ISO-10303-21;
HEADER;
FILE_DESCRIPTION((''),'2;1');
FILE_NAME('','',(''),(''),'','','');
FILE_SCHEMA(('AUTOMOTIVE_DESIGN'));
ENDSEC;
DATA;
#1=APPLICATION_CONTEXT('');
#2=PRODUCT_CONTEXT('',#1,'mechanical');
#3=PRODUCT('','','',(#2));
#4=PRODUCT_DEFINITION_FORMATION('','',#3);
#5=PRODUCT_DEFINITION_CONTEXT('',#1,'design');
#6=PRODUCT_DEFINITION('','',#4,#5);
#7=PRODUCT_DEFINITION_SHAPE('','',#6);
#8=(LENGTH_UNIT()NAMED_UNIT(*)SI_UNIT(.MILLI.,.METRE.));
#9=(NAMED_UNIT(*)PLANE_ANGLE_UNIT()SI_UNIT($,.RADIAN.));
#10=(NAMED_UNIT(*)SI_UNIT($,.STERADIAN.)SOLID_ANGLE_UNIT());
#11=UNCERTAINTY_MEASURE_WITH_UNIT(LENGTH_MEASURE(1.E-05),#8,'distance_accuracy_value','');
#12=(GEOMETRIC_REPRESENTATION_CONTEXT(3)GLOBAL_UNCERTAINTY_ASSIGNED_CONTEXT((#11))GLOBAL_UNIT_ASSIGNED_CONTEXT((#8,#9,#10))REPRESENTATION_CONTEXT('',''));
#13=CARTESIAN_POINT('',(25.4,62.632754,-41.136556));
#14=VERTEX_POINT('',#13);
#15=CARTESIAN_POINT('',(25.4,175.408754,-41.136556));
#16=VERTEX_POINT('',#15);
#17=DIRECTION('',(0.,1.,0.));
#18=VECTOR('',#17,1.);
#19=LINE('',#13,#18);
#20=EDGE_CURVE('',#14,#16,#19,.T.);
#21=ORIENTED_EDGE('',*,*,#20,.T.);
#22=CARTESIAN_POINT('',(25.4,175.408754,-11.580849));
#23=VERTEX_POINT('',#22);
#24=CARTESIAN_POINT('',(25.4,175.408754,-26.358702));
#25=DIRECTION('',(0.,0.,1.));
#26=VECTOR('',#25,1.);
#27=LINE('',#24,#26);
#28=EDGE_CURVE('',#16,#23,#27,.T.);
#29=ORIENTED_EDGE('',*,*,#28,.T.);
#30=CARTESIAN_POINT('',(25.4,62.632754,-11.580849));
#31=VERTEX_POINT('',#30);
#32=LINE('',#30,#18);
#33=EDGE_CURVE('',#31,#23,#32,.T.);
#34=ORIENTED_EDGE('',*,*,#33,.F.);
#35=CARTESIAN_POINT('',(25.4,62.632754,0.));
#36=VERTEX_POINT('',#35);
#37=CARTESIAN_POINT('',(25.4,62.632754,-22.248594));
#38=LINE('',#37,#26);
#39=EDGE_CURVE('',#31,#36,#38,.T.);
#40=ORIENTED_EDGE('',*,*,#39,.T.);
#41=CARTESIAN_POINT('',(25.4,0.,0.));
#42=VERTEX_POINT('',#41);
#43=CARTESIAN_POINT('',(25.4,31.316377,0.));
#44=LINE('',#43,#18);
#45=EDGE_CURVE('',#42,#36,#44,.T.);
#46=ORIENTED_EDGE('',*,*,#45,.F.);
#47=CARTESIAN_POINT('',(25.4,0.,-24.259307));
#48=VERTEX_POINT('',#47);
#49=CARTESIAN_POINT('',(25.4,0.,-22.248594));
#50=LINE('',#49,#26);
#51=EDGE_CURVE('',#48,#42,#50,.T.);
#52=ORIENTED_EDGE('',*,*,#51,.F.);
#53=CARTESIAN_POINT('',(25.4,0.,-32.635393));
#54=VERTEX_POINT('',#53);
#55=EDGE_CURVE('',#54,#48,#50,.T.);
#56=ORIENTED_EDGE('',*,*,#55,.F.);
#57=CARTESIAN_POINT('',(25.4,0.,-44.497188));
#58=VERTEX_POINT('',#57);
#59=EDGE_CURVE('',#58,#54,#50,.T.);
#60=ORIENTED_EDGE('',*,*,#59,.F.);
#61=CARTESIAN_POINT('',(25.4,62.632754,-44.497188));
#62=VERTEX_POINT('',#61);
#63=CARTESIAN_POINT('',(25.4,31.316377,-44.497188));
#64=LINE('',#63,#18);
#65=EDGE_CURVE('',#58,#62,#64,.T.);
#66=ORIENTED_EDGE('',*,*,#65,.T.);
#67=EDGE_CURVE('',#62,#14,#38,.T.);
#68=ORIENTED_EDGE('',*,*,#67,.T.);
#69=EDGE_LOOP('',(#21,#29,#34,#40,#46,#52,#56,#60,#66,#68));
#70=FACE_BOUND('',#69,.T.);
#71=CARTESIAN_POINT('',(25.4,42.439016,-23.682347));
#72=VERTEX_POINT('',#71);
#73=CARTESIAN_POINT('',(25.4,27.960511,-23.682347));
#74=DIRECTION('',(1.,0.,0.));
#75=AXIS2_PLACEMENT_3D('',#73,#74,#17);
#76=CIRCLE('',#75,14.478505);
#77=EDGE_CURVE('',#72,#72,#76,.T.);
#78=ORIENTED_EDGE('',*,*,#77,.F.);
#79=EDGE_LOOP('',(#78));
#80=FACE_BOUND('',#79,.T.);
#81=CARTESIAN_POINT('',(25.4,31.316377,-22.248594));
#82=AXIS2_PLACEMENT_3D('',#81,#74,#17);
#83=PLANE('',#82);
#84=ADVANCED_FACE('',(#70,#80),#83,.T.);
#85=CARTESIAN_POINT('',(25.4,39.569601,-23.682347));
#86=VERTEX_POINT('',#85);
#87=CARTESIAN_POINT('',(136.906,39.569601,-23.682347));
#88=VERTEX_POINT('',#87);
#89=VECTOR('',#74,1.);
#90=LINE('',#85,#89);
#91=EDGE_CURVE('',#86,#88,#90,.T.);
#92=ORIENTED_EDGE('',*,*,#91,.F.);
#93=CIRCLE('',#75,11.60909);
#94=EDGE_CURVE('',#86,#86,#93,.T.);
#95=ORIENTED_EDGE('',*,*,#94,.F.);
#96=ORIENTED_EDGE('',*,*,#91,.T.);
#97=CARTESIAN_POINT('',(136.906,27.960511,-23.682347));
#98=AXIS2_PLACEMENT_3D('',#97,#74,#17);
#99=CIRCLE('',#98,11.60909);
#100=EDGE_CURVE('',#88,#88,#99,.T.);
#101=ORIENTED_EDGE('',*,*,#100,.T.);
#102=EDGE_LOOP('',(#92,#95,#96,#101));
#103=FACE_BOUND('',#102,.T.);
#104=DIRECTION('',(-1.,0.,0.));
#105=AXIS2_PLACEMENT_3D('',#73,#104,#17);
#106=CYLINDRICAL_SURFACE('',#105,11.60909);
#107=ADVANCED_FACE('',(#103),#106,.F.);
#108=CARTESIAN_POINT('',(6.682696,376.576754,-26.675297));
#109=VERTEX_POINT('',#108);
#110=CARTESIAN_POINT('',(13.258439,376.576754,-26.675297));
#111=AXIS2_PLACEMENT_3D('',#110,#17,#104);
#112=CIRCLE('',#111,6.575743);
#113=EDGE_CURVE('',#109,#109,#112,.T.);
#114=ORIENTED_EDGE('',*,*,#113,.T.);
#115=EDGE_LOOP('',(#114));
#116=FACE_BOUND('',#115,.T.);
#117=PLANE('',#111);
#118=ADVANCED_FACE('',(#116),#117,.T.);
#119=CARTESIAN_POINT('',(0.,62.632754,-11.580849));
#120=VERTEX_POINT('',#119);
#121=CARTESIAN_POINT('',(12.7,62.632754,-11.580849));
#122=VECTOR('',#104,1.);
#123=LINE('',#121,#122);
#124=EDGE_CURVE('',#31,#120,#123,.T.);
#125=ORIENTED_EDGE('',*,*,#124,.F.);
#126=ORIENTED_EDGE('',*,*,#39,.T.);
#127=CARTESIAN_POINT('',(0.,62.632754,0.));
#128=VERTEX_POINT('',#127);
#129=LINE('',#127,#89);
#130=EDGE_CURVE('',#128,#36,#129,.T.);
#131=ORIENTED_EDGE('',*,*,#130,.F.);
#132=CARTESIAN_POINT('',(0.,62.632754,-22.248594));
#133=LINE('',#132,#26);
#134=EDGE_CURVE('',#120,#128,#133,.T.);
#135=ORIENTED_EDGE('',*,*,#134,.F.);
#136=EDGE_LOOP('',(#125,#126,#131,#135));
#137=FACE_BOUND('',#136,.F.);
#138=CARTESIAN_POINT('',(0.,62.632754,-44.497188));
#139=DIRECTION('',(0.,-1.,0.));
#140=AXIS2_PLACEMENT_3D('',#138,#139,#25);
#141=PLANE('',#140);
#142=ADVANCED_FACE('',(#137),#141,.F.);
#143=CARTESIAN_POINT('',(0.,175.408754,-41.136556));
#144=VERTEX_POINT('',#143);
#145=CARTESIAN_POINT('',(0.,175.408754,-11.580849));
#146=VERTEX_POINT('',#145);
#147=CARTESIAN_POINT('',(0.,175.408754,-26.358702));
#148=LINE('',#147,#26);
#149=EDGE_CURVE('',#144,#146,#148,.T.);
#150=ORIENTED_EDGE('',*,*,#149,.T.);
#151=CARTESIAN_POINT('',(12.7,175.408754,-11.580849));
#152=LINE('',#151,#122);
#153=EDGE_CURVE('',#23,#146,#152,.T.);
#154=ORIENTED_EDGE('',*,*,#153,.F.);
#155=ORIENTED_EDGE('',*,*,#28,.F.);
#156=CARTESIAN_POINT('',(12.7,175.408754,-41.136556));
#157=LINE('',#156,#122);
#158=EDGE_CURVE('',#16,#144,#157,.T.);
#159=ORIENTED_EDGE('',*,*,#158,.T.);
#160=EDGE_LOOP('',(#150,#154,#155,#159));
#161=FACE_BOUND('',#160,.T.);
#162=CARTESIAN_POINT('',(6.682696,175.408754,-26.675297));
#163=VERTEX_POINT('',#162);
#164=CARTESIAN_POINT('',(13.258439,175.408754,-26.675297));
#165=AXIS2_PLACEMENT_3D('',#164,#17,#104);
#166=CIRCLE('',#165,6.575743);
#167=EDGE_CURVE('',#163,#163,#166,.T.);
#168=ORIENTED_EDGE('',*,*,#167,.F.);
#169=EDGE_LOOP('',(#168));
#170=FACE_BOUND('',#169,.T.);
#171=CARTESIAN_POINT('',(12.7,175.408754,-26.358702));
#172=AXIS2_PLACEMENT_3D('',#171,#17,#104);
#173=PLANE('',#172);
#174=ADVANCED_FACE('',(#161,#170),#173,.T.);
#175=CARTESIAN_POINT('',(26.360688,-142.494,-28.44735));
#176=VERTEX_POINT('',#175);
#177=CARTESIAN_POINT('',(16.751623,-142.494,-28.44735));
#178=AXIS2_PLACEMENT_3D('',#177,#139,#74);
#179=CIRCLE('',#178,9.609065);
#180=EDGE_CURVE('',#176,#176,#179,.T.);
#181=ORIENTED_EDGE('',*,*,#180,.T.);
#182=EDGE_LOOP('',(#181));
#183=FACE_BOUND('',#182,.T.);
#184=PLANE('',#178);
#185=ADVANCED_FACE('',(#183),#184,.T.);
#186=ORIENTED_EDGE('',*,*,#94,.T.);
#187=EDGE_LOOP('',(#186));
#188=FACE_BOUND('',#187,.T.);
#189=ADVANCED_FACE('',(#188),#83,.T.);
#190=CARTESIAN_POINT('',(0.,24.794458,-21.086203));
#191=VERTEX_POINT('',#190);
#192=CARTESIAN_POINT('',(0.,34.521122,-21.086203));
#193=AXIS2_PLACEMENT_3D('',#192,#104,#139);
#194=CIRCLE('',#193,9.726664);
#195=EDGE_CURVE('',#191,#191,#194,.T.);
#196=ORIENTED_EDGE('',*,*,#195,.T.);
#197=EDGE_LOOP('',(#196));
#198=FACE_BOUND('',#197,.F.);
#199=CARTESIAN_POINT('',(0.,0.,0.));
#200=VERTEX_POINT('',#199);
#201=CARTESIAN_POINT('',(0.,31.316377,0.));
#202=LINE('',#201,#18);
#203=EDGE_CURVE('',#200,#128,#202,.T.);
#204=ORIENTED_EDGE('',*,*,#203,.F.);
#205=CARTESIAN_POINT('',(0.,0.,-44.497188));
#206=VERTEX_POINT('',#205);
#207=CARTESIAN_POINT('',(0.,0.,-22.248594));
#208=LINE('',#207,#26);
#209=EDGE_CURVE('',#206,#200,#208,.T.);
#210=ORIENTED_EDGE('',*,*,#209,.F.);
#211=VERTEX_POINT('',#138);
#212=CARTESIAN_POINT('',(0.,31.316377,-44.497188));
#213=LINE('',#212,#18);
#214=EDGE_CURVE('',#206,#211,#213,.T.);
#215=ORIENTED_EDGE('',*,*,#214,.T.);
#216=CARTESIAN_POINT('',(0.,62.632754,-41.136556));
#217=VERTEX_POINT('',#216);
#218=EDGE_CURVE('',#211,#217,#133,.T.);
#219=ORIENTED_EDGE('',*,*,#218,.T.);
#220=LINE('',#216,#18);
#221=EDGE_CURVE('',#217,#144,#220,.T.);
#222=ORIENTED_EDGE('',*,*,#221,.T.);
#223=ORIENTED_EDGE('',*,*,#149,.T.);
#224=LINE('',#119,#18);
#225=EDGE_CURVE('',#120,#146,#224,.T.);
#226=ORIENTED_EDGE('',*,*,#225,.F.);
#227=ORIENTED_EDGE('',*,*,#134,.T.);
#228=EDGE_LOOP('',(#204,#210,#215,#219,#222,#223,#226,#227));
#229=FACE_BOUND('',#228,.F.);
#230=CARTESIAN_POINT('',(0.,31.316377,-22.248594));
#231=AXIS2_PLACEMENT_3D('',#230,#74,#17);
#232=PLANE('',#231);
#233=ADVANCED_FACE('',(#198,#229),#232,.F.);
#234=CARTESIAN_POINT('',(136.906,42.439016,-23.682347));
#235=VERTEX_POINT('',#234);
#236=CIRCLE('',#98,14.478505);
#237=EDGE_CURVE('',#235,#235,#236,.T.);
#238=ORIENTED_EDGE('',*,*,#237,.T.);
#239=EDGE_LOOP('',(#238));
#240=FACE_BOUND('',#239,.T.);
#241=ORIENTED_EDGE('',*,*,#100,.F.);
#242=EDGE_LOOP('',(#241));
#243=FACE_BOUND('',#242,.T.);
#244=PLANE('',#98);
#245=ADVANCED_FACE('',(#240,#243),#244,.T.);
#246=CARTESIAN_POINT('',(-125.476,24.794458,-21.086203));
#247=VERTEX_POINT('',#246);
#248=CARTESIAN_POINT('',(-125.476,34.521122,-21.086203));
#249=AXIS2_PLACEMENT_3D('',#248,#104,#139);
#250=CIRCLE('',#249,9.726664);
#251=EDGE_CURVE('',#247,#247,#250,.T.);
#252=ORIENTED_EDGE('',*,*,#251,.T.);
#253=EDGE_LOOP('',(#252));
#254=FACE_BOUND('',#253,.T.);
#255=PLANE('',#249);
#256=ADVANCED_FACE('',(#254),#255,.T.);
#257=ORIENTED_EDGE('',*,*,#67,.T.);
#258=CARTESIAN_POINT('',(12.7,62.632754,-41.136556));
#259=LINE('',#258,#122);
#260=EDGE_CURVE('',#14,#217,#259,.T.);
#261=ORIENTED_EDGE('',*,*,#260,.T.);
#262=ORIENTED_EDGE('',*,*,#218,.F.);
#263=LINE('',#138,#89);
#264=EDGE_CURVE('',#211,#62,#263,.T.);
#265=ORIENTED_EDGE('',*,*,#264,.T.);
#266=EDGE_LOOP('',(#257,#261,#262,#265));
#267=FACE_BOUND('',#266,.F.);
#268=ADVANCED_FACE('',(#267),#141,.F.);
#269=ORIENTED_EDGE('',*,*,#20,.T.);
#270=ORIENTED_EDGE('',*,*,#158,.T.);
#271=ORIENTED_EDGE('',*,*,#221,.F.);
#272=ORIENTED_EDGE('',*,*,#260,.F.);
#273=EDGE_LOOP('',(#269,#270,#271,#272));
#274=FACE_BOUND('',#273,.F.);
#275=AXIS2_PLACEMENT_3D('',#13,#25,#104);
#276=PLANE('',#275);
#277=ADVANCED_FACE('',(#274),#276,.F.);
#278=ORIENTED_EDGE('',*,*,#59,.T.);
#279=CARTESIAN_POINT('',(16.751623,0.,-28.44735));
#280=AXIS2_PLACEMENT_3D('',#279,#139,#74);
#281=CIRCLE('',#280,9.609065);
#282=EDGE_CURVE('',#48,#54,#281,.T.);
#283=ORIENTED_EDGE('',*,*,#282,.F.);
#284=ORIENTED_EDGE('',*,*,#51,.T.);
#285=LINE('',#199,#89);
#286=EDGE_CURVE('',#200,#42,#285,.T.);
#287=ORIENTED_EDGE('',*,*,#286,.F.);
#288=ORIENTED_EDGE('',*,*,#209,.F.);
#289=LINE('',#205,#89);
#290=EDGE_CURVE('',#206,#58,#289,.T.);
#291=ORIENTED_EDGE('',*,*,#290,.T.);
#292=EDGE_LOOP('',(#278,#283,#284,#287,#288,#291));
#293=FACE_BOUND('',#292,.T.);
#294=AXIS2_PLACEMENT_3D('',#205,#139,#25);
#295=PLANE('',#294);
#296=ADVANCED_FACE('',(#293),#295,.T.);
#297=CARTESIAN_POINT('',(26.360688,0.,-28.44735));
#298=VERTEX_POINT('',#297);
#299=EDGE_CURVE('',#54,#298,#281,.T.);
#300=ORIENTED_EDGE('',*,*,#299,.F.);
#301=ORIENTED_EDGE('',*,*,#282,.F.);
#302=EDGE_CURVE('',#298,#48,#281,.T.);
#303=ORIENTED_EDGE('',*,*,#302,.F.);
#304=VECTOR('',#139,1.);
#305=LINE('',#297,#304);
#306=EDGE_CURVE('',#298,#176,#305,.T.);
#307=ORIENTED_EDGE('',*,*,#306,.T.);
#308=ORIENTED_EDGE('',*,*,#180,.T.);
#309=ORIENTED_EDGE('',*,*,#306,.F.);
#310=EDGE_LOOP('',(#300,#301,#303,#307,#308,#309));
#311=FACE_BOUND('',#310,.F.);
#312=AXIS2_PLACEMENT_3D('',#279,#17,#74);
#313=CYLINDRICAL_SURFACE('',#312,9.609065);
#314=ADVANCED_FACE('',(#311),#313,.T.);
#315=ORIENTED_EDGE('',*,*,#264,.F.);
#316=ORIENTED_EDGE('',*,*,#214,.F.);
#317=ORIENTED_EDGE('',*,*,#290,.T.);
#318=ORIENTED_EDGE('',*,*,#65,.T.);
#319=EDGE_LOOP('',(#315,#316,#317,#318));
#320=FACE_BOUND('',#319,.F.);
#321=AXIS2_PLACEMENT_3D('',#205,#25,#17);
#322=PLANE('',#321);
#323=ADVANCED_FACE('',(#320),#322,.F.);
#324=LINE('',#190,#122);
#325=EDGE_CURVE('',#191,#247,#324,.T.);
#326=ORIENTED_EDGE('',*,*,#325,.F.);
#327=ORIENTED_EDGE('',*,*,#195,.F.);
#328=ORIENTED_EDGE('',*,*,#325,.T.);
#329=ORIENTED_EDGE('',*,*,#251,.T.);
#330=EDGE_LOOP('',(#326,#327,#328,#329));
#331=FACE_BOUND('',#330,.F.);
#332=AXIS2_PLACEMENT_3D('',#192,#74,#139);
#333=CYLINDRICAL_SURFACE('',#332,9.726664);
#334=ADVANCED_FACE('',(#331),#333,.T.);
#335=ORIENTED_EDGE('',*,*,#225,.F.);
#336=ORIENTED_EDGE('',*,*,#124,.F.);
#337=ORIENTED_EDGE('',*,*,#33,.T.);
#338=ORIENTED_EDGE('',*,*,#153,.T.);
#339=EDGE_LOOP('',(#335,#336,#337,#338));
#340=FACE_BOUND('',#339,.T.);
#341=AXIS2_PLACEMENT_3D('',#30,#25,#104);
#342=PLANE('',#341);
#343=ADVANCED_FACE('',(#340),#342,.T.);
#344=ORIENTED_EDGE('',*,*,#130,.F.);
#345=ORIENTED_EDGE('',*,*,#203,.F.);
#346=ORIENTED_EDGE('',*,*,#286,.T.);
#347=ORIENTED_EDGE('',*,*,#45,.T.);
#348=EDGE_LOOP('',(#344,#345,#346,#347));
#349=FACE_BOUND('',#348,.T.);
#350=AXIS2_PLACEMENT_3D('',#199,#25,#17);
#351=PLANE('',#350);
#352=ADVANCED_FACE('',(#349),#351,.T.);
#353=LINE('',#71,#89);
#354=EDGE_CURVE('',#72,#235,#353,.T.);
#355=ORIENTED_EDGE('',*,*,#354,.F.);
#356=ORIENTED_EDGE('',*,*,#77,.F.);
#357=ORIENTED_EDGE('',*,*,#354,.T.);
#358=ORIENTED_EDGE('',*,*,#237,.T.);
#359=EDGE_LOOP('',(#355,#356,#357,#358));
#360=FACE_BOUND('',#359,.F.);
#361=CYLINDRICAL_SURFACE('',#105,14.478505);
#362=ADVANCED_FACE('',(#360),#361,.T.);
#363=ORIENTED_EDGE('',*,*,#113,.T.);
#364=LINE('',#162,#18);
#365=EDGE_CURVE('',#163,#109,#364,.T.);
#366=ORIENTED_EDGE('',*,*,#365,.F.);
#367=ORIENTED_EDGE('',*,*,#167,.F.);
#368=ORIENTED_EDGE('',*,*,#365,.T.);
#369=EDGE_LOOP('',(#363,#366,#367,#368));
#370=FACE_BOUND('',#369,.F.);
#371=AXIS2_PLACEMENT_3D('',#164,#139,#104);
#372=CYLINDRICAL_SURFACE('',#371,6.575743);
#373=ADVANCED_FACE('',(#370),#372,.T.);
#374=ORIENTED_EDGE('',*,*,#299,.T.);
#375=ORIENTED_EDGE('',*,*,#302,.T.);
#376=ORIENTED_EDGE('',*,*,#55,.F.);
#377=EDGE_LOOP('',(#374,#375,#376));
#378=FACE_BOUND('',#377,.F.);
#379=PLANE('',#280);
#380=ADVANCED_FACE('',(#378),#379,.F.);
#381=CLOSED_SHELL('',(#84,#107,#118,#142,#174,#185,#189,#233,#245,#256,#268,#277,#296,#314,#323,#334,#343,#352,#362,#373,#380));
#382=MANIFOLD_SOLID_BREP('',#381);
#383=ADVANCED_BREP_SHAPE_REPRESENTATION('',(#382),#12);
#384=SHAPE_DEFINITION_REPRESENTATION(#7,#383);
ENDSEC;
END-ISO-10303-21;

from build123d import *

# Parameters (mm, degrees)
F0_W      = 62.632754
F0_H      = 44.497188
F1_DEPTH  = 25.4
F2_R      = 9.609065
F3_DEPTH  = 142.494
F4_R      = 14.478505
F4_R_2    = 11.60909
F5_DEPTH  = 111.506
F6_R      = 9.726664
F7_DEPTH  = 125.476
F8_W      = 25.4
F8_H      = 29.555707
F9_DEPTH  = 112.776
F10_R     = 6.575743
F11_DEPTH = 201.168


with BuildPart() as f1:
    # F0 (on Right) → F1 (new body)
    with BuildSketch(Plane.YZ):
        with Locations((31.316377, -22.248594)):
            Rectangle(F0_W, F0_H)
    extrude(amount=F1_DEPTH)

    # F2 (on face) → F3 (join)
    with BuildSketch(Plane.XZ):
        with Locations((16.751623, -28.44735)):
            Circle(F2_R)
    extrude(amount=F3_DEPTH)

    # F4 (on face) → F5 (join)
    with BuildSketch(Plane.YZ.offset(25.4)):
        with Locations((27.960511, -23.682347)):
            Circle(F4_R)
        with Locations((27.960511, -23.682347)):
            Circle(F4_R_2, mode=Mode.SUBTRACT)
    extrude(amount=F5_DEPTH)

    # F6 (on face) → F7 (join)
    with BuildSketch(Plane(origin=(0, 0, 0), x_dir=(0, -1, 0), z_dir=(-1, 0, 0))):
        with Locations((-34.521122, -21.086203)):
            Circle(F6_R)
    extrude(amount=F7_DEPTH)

    # F8 (on face) → F9 (join)
    with BuildSketch(Plane(origin=(0, 62.632754, 0), x_dir=(-1, 0, 0), z_dir=(0, 1, 0))):
        with Locations((-12.7, -26.358702)):
            Rectangle(F8_W, F8_H)
    extrude(amount=F9_DEPTH)

    # F10 (on face) → F11 (join)
    with BuildSketch(Plane(origin=(0, 175.408754, 0), x_dir=(-1, 0, 0), z_dir=(0, 1, 0))):
        with Locations((-13.258439, -26.675297)):
            Circle(F10_R)
    extrude(amount=F11_DEPTH)


solid = f1.part
